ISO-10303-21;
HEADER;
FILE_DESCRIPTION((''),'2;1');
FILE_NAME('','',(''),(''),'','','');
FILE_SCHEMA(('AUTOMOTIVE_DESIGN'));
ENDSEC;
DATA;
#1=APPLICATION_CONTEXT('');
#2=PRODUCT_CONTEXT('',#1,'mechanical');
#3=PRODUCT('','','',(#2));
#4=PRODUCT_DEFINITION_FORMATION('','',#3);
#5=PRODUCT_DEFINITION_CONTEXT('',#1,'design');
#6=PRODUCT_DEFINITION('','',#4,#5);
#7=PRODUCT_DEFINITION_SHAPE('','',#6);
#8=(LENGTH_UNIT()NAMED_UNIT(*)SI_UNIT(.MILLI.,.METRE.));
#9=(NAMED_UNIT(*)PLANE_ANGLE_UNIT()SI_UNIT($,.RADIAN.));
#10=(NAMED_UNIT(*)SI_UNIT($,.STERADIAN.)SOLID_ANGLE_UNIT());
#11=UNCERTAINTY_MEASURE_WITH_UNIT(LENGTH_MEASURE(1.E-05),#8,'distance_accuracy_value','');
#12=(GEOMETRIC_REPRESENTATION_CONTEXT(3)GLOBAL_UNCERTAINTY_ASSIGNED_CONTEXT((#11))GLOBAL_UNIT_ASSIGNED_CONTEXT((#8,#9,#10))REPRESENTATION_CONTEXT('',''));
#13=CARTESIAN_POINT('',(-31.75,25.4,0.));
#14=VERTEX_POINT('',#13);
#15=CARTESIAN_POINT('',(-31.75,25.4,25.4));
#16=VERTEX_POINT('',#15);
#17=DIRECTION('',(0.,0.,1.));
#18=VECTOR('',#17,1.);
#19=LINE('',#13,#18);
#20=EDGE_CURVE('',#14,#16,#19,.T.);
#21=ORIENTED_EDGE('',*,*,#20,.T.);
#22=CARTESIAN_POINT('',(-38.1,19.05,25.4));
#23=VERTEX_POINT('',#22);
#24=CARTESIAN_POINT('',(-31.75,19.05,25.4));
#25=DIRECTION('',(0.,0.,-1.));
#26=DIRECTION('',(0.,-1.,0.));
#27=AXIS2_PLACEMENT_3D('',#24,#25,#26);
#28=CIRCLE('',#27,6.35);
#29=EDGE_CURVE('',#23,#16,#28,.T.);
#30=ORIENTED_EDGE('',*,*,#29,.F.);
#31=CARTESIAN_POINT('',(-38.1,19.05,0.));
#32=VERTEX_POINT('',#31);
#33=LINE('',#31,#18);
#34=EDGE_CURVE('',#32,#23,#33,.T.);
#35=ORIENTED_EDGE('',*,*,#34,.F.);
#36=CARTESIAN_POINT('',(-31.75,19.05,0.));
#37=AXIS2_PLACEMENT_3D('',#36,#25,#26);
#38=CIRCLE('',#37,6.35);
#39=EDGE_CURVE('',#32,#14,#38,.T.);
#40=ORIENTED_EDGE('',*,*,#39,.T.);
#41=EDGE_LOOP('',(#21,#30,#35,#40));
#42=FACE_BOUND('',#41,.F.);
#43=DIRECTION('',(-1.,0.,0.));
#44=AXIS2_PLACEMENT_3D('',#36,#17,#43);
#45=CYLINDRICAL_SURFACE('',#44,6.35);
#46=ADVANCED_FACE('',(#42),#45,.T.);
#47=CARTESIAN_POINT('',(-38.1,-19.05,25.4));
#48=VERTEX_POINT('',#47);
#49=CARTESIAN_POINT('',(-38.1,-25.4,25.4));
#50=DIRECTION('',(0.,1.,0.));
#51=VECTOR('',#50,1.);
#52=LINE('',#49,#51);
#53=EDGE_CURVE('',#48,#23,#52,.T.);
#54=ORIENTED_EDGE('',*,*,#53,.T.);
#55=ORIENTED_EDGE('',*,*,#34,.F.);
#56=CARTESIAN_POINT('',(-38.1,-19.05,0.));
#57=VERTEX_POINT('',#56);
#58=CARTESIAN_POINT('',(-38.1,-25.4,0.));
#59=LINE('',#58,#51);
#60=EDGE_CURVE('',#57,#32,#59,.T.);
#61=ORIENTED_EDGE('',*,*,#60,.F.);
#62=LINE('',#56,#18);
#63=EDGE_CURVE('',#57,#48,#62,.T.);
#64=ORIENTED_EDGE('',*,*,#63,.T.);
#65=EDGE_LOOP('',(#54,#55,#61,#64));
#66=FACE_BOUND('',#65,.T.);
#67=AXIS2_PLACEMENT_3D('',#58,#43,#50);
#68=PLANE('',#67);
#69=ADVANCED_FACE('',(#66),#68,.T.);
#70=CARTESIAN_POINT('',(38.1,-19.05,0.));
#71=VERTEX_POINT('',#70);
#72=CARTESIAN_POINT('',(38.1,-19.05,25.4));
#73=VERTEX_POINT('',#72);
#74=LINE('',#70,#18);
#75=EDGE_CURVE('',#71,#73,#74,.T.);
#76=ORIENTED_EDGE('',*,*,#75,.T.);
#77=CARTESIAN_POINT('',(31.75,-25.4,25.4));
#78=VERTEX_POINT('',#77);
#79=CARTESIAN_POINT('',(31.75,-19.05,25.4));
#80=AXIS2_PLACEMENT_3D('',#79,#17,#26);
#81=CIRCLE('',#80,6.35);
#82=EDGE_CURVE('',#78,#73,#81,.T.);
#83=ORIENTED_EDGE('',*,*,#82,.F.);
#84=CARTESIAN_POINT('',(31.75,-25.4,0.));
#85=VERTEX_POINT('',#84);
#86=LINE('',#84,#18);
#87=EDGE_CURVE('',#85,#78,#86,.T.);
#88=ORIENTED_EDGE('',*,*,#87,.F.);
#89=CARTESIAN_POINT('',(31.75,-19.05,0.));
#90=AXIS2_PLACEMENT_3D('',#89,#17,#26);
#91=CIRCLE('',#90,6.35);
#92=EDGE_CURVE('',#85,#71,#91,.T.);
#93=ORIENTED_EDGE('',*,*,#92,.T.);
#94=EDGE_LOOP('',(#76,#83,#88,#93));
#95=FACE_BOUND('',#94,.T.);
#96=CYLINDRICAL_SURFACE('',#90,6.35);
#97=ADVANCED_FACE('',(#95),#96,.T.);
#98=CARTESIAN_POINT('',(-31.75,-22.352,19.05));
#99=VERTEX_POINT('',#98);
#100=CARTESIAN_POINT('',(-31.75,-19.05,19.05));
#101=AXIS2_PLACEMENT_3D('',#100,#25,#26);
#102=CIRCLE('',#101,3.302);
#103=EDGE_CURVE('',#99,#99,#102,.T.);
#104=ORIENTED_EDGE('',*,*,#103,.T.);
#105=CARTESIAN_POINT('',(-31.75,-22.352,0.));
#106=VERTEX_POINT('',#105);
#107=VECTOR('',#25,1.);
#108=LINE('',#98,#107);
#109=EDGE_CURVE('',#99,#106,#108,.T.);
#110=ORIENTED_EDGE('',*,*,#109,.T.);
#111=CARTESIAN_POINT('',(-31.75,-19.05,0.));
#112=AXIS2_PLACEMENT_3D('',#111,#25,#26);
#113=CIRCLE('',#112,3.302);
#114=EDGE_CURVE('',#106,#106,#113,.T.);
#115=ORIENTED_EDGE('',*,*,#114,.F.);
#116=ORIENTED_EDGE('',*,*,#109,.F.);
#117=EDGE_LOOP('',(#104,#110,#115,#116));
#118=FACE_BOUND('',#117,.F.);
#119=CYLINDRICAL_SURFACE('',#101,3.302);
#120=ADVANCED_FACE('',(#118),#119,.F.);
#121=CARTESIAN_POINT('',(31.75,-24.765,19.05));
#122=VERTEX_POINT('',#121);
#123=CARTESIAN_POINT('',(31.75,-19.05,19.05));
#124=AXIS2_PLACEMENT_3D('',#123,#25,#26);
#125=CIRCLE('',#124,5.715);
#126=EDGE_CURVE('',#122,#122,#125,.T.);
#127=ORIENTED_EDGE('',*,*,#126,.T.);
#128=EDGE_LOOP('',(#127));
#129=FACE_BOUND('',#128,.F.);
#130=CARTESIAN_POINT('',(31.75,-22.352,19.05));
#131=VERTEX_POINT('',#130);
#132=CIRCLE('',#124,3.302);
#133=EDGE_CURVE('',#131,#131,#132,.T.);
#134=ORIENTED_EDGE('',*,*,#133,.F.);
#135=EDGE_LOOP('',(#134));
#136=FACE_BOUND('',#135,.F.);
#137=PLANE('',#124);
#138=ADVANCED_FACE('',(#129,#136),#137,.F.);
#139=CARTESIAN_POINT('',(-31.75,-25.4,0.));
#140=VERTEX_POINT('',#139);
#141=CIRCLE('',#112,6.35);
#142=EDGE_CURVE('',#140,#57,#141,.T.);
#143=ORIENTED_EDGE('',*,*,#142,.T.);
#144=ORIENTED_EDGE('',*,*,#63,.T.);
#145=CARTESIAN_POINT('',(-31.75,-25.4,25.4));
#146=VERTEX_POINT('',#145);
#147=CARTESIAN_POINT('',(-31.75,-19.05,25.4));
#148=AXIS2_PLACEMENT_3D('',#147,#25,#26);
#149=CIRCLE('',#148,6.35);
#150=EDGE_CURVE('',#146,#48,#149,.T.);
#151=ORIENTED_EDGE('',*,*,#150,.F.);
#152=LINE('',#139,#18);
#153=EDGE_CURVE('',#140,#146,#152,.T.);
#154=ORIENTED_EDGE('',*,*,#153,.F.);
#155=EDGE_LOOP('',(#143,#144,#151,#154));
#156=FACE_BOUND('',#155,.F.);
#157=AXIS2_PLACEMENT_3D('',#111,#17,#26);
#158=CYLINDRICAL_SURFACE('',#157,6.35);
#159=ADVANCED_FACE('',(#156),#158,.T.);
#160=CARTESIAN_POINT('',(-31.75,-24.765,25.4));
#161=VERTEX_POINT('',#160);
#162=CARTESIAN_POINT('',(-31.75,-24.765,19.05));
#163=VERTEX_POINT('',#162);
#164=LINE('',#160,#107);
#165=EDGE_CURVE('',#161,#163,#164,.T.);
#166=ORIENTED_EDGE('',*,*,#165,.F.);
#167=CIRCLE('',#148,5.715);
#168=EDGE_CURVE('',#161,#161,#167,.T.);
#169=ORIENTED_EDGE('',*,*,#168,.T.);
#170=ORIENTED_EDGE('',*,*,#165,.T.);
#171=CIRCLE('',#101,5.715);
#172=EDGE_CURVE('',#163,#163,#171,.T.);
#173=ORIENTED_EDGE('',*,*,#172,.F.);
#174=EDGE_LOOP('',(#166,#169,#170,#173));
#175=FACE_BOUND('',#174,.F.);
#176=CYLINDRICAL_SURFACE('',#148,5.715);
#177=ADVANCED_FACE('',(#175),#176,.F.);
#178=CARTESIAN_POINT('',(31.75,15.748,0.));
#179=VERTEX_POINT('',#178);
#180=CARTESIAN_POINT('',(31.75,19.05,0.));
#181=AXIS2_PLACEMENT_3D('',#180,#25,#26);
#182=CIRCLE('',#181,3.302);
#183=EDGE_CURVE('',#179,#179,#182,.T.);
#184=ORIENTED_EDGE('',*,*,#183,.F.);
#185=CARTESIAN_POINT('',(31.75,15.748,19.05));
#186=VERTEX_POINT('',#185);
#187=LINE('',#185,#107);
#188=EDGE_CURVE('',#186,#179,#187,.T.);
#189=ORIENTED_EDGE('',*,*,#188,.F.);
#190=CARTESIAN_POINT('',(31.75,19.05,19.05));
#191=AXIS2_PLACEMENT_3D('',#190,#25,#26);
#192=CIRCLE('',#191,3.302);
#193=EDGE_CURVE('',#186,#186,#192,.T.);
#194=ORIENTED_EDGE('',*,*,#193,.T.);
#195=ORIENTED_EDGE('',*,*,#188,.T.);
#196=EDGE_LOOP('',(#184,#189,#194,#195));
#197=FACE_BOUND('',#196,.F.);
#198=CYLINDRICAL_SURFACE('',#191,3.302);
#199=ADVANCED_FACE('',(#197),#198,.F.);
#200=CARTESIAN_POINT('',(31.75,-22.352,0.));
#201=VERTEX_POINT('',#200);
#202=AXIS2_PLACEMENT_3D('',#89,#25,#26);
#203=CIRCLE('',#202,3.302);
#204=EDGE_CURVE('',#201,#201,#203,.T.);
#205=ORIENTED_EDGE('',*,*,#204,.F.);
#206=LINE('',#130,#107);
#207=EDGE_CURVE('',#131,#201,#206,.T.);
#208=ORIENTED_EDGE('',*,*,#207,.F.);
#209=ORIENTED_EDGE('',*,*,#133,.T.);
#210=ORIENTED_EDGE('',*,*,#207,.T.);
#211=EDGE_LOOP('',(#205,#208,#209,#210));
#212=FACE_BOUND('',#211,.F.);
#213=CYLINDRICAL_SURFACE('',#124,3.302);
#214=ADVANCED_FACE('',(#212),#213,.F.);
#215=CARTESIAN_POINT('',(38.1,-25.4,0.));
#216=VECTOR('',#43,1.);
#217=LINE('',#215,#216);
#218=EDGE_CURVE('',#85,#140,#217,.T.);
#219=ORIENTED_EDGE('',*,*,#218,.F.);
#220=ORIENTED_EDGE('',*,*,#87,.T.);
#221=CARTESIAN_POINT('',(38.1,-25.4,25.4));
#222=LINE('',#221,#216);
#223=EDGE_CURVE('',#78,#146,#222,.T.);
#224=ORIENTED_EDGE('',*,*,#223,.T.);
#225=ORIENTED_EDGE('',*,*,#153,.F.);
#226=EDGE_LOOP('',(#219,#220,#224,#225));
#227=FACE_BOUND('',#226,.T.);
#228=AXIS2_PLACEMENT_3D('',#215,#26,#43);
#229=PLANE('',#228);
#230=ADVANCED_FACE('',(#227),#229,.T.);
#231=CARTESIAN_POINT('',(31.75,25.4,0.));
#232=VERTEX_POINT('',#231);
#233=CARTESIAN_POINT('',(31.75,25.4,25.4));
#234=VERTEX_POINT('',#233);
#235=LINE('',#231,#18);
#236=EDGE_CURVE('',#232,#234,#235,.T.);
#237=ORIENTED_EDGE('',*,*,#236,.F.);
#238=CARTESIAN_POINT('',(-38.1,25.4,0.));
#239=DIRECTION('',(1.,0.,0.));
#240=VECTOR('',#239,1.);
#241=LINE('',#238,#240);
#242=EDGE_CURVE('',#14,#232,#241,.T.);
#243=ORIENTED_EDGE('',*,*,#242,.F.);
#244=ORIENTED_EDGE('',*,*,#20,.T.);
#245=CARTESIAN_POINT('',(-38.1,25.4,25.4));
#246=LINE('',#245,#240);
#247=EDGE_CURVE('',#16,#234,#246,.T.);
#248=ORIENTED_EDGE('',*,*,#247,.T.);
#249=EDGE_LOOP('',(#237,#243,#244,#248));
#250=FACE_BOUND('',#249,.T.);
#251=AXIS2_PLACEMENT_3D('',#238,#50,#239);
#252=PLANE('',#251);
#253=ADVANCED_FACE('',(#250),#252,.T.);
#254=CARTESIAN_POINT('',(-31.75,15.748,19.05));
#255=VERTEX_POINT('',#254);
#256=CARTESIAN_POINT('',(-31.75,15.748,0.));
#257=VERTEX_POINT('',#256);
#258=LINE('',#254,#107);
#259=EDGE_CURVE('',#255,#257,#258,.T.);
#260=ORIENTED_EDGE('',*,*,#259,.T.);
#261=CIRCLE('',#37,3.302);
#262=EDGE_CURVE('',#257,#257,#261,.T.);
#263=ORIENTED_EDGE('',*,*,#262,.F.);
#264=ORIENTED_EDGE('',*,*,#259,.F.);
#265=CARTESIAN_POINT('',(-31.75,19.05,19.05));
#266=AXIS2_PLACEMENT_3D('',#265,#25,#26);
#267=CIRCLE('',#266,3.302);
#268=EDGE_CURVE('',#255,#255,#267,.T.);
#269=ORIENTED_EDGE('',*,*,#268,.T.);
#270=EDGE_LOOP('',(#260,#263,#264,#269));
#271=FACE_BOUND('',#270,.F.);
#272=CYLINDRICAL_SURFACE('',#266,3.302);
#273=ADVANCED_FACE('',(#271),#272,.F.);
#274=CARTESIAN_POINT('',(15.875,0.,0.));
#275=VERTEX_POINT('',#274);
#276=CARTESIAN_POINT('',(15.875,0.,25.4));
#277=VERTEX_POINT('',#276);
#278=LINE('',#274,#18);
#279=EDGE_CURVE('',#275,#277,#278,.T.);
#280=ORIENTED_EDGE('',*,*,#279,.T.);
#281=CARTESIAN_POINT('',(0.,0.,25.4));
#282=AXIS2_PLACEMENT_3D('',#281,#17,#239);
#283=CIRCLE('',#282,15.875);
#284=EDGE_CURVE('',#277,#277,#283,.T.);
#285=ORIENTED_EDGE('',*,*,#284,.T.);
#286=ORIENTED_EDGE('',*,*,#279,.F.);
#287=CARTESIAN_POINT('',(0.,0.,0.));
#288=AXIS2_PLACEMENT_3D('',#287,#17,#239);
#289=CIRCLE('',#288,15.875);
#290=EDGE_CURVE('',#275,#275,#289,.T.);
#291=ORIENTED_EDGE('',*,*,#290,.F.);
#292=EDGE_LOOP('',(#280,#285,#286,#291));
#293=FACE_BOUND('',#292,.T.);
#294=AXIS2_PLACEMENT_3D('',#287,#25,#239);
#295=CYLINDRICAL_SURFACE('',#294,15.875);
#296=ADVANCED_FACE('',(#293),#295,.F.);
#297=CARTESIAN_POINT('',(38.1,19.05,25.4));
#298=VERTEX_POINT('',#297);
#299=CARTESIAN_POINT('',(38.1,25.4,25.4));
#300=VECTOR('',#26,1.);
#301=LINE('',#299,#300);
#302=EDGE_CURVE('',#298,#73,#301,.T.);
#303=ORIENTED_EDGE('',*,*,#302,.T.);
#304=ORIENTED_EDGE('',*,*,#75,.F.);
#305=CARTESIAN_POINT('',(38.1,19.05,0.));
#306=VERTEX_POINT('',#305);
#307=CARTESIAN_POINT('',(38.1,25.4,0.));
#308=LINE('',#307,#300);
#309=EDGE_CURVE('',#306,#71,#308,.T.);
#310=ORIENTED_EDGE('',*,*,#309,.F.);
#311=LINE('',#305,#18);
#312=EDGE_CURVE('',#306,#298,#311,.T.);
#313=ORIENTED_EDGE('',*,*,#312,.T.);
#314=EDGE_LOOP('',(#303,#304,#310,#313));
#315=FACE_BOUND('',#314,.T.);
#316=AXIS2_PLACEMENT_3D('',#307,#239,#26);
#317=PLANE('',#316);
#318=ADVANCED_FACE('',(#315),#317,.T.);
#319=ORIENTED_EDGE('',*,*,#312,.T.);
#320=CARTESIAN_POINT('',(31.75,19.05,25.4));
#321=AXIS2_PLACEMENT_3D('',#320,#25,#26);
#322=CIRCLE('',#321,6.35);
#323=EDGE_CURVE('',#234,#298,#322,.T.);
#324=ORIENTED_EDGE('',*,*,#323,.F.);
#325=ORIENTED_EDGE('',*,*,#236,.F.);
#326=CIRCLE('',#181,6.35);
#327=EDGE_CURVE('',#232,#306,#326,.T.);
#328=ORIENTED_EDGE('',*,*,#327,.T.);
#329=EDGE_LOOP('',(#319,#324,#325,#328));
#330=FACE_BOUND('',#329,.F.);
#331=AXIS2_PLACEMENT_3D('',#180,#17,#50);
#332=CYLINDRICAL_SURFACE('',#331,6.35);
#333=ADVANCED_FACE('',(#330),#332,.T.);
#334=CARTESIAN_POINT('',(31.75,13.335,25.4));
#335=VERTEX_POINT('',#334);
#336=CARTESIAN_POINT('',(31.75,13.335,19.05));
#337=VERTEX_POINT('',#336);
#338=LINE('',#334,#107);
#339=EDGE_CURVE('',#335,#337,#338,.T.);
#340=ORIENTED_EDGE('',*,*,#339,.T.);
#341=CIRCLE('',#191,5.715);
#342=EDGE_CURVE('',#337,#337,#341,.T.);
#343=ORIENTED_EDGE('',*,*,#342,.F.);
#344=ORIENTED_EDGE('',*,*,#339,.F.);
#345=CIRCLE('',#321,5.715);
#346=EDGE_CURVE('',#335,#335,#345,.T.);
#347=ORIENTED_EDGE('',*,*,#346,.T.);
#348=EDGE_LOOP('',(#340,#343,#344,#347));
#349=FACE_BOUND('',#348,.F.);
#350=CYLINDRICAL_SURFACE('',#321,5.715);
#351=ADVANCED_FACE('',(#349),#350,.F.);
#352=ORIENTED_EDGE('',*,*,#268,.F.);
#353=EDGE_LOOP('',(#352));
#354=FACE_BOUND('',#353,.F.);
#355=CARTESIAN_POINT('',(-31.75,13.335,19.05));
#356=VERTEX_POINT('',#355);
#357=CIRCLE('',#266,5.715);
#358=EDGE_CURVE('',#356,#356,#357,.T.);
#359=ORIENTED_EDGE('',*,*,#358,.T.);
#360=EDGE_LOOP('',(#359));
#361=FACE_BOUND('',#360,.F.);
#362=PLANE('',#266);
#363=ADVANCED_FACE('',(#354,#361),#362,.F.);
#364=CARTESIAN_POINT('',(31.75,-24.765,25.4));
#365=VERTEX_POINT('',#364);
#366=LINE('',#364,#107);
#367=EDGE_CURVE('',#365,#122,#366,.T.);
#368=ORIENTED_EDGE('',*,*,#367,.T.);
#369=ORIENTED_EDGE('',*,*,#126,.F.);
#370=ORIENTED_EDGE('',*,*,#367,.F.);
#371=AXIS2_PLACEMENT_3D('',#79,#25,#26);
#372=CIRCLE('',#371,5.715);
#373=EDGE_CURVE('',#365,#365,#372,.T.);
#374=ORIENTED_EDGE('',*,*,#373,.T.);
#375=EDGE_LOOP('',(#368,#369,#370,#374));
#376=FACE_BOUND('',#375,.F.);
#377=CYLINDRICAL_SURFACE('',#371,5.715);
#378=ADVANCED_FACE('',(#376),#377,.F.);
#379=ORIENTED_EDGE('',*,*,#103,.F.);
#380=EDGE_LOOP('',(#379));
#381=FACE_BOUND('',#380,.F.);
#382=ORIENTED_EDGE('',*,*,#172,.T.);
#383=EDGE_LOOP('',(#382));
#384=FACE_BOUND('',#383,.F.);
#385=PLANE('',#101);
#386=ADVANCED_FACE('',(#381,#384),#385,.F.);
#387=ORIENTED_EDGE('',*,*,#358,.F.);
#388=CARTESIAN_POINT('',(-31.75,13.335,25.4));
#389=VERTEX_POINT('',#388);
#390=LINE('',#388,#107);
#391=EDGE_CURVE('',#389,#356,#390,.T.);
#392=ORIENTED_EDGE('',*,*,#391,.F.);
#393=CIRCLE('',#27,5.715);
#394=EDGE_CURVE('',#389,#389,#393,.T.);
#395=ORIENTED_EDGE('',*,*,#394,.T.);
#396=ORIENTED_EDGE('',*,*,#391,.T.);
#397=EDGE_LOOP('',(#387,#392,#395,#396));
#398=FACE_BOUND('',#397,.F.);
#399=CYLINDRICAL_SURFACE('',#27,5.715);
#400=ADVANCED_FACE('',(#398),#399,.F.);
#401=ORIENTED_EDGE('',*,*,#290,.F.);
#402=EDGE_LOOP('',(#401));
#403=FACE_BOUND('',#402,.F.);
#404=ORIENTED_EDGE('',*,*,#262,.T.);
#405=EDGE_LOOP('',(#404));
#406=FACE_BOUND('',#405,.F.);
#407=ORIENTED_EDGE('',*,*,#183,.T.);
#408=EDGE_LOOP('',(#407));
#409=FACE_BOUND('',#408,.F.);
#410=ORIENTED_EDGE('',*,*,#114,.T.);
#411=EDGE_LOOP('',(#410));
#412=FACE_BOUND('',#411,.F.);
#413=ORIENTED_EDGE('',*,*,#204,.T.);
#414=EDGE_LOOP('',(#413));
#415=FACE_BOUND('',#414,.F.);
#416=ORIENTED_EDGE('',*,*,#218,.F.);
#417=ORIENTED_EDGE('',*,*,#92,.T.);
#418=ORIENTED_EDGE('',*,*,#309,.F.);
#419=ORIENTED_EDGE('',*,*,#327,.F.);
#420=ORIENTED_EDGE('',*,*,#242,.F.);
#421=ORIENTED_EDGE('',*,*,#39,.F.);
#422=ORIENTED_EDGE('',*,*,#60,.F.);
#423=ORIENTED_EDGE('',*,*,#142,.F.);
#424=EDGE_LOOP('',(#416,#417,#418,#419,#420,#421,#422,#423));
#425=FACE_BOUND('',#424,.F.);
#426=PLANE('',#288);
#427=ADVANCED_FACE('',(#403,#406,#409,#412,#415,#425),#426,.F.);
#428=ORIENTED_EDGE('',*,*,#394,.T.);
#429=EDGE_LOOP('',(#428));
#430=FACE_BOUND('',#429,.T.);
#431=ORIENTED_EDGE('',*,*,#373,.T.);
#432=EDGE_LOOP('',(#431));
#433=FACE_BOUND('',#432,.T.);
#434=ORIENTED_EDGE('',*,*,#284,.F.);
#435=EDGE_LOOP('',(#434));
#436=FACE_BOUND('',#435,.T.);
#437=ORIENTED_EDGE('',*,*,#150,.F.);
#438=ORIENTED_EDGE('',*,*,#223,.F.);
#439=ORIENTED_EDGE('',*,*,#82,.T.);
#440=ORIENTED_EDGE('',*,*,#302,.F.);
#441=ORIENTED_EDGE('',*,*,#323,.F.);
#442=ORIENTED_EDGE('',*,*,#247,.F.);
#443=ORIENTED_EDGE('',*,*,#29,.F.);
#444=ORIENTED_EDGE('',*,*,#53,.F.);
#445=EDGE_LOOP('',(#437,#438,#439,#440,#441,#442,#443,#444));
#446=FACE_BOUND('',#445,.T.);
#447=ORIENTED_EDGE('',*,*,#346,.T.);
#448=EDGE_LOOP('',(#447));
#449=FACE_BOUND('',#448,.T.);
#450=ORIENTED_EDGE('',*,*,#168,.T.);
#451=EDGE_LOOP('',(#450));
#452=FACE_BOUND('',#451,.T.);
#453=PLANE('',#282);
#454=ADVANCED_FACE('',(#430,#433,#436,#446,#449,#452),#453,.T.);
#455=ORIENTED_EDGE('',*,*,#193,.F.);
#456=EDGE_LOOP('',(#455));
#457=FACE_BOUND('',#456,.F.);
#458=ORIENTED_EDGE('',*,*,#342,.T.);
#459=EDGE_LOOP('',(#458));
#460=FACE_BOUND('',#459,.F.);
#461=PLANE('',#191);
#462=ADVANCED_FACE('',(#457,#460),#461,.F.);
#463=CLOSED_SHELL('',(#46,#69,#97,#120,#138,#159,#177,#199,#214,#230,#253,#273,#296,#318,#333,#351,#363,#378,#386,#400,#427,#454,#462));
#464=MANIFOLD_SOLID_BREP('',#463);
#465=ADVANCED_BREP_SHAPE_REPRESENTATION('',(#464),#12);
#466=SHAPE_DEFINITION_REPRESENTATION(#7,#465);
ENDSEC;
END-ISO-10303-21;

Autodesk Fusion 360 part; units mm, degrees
sketch "Sketch1" plane through (0, 0, 0) normal (0, 0, 1) x (1, 0, 0)
  line L0 (38.1, -25.4) -> (-38.1, -25.4)
  line L1 (-38.1, -25.4) -> (-38.1, 25.4)
  line L2 (-38.1, 25.4) -> (38.1, 25.4)
  line L3 (38.1, 25.4) -> (38.1, -25.4)
  line L4 (38.1, -25.4) -> (-38.1, 25.4) construction
  line L5 (-38.1, -25.4) -> (38.1, 25.4) construction
  circle A0 centre (0, 0) radius 15.875
  dimension "d1" = 76.2
  dimension "d2" = 50.8
  dimension "d3" = 31.75
extrude "Extrude1" add sketch "Sketch1" along normal blind 25.4
fillet "Fillet1" radius 6.35 4 edges at (38.1, 25.4, 12.7) (38.1, -25.4, 12.7) (-38.1, -25.4, 12.7) (-38.1, 25.4, 12.7)
sketch "Sketch2" plane through (0, 0, 25.4) normal (0, 0, 1) x (-1, 0, 0)
  circle A0 centre (0, 0) radius 15.875
  arc A1 (31.75, -25.4) -> (38.1, -19.05) centre (31.75, -19.05) ccw
  line L0 (38.1, -19.05) -> (38.1, 19.05)
  arc A2 (38.1, 19.05) -> (31.75, 25.4) centre (31.75, 19.05) ccw
  line L1 (31.75, 25.4) -> (-31.75, 25.4)
  arc A3 (-31.75, 25.4) -> (-38.1, 19.05) centre (-31.75, 19.05) ccw
  line L2 (-38.1, 19.05) -> (-38.1, -19.05)
  arc A4 (-38.1, -19.05) -> (-31.75, -25.4) centre (-31.75, -19.05) ccw
  line L3 (-31.75, -25.4) -> (31.75, -25.4)
  point P0 (31.75, -19.05)
  point P1 (-31.75, -19.05)
  point P2 (-31.75, 19.05)
  point P3 (31.75, 19.05)
hole "Hole1" at (-31.75, 19.05, 25.4) at (-31.75, -19.05, 25.4) at (31.75, -19.05, 25.4) at (31.75, 19.05, 25.4) direction (0, 0, -1) diameter 6.604 end through all counterbore diameter 11.43 counterbore depth 6.35
